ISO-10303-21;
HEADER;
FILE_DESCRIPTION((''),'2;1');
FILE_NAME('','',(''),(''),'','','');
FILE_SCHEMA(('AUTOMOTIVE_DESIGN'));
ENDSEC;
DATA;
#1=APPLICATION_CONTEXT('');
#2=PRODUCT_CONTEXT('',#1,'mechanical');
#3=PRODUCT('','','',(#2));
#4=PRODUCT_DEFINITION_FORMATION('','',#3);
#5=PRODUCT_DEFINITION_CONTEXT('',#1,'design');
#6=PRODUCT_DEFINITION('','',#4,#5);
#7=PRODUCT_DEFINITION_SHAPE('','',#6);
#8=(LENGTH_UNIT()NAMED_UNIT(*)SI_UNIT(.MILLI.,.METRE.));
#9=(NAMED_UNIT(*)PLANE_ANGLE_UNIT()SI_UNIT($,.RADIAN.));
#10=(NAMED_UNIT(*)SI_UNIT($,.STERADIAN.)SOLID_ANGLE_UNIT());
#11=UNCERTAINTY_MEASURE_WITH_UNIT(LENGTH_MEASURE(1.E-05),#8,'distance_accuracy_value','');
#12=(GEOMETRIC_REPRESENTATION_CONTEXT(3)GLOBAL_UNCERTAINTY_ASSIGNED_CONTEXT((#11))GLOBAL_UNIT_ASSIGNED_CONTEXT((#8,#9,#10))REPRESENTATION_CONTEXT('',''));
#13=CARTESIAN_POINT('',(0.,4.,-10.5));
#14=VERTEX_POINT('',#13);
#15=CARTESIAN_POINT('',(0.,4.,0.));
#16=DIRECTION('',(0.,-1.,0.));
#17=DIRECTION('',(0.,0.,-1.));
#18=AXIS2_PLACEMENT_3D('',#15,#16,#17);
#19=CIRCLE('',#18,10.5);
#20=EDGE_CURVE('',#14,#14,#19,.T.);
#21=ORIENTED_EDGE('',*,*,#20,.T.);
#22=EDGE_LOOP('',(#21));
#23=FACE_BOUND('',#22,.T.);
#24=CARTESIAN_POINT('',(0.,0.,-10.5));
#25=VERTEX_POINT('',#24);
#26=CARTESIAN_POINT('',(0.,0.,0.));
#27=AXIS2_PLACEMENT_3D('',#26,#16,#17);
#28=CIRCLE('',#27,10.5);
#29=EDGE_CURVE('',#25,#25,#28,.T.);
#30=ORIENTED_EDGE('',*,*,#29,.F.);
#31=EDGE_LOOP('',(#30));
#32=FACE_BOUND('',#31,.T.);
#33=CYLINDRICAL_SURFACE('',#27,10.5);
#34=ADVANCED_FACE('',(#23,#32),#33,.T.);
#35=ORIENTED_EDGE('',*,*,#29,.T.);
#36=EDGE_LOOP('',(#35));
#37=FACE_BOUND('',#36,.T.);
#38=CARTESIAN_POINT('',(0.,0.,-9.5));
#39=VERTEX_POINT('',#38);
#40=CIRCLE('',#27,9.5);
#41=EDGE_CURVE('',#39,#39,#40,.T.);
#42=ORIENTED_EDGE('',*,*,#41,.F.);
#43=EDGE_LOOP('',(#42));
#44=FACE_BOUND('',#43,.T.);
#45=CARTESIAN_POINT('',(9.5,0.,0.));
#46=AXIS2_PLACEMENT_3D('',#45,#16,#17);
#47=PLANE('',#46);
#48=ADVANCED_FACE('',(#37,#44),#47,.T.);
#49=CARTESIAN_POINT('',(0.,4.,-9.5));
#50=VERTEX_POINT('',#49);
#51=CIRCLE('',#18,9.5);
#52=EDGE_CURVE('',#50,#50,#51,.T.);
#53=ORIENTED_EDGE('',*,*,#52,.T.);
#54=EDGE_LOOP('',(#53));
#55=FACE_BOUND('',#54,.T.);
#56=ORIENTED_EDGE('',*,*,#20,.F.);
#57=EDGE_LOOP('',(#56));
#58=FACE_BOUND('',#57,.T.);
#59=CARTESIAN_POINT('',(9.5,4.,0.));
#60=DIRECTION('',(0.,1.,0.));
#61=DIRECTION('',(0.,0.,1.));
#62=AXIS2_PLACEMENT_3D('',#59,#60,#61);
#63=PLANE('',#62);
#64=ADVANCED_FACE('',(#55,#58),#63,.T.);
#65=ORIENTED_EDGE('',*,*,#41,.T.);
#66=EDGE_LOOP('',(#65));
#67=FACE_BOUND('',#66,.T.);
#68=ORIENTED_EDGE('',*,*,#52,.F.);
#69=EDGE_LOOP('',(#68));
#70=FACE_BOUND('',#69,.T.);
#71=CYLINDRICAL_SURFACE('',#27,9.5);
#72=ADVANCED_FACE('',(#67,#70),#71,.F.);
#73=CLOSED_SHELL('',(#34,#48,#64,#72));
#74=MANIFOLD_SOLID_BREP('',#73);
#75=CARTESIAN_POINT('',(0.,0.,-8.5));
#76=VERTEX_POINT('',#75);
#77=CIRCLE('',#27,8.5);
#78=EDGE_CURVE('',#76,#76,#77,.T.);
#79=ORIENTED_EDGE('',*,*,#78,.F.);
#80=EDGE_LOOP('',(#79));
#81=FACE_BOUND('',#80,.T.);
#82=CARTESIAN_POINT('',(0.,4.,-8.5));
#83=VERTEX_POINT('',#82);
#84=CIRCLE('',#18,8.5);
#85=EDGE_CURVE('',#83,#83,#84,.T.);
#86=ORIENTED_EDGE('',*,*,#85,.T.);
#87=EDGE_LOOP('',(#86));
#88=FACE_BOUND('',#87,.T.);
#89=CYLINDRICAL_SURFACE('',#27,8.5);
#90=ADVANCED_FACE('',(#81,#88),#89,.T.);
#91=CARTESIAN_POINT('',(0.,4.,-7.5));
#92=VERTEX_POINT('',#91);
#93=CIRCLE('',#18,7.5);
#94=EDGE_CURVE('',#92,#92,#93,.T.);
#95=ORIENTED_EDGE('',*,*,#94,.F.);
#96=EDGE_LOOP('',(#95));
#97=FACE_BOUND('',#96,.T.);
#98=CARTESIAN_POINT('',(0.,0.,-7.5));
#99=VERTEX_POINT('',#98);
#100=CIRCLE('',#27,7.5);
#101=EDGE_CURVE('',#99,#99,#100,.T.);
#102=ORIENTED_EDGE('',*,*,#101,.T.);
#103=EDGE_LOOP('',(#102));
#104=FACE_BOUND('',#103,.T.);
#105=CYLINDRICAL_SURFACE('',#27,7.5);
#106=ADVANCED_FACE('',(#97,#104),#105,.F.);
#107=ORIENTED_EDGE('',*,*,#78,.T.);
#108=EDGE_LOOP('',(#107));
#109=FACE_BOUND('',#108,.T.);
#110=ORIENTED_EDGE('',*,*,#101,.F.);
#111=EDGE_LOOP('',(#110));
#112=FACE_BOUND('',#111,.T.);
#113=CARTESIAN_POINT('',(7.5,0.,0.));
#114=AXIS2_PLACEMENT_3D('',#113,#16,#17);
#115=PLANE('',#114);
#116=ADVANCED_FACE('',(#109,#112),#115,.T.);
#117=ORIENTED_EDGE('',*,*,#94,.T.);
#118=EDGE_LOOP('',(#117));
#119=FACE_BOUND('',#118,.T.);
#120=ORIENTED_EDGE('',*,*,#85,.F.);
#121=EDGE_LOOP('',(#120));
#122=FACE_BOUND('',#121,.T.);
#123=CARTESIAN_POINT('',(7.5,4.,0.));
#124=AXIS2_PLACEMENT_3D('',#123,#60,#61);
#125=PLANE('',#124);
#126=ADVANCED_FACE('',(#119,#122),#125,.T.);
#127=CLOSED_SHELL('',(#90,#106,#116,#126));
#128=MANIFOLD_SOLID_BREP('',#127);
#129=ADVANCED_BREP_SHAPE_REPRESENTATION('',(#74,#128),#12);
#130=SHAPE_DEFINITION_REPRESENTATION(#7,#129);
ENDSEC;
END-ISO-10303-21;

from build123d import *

# Parameters (mm, degrees)
ESQUISSE2_W = 1
ESQUISSE2_H = 4


with BuildPart() as part:
    # Esquisse2 → Révolution1 (revolve)
    with BuildSketch(Plane.XY, mode=Mode.PRIVATE) as r_volution1_sk:
        with Locations((8, 2)):
            Rectangle(ESQUISSE2_W, ESQUISSE2_H)
        with Locations((10, 2)):
            Rectangle(ESQUISSE2_W, ESQUISSE2_H)
    revolve(r_volution1_sk.sketch.rotate(Axis((0, 0, 0), (0, 1, 0)), 90), axis=Axis((0, 0, 0), (0, 1, 0)))


solid = part.part
